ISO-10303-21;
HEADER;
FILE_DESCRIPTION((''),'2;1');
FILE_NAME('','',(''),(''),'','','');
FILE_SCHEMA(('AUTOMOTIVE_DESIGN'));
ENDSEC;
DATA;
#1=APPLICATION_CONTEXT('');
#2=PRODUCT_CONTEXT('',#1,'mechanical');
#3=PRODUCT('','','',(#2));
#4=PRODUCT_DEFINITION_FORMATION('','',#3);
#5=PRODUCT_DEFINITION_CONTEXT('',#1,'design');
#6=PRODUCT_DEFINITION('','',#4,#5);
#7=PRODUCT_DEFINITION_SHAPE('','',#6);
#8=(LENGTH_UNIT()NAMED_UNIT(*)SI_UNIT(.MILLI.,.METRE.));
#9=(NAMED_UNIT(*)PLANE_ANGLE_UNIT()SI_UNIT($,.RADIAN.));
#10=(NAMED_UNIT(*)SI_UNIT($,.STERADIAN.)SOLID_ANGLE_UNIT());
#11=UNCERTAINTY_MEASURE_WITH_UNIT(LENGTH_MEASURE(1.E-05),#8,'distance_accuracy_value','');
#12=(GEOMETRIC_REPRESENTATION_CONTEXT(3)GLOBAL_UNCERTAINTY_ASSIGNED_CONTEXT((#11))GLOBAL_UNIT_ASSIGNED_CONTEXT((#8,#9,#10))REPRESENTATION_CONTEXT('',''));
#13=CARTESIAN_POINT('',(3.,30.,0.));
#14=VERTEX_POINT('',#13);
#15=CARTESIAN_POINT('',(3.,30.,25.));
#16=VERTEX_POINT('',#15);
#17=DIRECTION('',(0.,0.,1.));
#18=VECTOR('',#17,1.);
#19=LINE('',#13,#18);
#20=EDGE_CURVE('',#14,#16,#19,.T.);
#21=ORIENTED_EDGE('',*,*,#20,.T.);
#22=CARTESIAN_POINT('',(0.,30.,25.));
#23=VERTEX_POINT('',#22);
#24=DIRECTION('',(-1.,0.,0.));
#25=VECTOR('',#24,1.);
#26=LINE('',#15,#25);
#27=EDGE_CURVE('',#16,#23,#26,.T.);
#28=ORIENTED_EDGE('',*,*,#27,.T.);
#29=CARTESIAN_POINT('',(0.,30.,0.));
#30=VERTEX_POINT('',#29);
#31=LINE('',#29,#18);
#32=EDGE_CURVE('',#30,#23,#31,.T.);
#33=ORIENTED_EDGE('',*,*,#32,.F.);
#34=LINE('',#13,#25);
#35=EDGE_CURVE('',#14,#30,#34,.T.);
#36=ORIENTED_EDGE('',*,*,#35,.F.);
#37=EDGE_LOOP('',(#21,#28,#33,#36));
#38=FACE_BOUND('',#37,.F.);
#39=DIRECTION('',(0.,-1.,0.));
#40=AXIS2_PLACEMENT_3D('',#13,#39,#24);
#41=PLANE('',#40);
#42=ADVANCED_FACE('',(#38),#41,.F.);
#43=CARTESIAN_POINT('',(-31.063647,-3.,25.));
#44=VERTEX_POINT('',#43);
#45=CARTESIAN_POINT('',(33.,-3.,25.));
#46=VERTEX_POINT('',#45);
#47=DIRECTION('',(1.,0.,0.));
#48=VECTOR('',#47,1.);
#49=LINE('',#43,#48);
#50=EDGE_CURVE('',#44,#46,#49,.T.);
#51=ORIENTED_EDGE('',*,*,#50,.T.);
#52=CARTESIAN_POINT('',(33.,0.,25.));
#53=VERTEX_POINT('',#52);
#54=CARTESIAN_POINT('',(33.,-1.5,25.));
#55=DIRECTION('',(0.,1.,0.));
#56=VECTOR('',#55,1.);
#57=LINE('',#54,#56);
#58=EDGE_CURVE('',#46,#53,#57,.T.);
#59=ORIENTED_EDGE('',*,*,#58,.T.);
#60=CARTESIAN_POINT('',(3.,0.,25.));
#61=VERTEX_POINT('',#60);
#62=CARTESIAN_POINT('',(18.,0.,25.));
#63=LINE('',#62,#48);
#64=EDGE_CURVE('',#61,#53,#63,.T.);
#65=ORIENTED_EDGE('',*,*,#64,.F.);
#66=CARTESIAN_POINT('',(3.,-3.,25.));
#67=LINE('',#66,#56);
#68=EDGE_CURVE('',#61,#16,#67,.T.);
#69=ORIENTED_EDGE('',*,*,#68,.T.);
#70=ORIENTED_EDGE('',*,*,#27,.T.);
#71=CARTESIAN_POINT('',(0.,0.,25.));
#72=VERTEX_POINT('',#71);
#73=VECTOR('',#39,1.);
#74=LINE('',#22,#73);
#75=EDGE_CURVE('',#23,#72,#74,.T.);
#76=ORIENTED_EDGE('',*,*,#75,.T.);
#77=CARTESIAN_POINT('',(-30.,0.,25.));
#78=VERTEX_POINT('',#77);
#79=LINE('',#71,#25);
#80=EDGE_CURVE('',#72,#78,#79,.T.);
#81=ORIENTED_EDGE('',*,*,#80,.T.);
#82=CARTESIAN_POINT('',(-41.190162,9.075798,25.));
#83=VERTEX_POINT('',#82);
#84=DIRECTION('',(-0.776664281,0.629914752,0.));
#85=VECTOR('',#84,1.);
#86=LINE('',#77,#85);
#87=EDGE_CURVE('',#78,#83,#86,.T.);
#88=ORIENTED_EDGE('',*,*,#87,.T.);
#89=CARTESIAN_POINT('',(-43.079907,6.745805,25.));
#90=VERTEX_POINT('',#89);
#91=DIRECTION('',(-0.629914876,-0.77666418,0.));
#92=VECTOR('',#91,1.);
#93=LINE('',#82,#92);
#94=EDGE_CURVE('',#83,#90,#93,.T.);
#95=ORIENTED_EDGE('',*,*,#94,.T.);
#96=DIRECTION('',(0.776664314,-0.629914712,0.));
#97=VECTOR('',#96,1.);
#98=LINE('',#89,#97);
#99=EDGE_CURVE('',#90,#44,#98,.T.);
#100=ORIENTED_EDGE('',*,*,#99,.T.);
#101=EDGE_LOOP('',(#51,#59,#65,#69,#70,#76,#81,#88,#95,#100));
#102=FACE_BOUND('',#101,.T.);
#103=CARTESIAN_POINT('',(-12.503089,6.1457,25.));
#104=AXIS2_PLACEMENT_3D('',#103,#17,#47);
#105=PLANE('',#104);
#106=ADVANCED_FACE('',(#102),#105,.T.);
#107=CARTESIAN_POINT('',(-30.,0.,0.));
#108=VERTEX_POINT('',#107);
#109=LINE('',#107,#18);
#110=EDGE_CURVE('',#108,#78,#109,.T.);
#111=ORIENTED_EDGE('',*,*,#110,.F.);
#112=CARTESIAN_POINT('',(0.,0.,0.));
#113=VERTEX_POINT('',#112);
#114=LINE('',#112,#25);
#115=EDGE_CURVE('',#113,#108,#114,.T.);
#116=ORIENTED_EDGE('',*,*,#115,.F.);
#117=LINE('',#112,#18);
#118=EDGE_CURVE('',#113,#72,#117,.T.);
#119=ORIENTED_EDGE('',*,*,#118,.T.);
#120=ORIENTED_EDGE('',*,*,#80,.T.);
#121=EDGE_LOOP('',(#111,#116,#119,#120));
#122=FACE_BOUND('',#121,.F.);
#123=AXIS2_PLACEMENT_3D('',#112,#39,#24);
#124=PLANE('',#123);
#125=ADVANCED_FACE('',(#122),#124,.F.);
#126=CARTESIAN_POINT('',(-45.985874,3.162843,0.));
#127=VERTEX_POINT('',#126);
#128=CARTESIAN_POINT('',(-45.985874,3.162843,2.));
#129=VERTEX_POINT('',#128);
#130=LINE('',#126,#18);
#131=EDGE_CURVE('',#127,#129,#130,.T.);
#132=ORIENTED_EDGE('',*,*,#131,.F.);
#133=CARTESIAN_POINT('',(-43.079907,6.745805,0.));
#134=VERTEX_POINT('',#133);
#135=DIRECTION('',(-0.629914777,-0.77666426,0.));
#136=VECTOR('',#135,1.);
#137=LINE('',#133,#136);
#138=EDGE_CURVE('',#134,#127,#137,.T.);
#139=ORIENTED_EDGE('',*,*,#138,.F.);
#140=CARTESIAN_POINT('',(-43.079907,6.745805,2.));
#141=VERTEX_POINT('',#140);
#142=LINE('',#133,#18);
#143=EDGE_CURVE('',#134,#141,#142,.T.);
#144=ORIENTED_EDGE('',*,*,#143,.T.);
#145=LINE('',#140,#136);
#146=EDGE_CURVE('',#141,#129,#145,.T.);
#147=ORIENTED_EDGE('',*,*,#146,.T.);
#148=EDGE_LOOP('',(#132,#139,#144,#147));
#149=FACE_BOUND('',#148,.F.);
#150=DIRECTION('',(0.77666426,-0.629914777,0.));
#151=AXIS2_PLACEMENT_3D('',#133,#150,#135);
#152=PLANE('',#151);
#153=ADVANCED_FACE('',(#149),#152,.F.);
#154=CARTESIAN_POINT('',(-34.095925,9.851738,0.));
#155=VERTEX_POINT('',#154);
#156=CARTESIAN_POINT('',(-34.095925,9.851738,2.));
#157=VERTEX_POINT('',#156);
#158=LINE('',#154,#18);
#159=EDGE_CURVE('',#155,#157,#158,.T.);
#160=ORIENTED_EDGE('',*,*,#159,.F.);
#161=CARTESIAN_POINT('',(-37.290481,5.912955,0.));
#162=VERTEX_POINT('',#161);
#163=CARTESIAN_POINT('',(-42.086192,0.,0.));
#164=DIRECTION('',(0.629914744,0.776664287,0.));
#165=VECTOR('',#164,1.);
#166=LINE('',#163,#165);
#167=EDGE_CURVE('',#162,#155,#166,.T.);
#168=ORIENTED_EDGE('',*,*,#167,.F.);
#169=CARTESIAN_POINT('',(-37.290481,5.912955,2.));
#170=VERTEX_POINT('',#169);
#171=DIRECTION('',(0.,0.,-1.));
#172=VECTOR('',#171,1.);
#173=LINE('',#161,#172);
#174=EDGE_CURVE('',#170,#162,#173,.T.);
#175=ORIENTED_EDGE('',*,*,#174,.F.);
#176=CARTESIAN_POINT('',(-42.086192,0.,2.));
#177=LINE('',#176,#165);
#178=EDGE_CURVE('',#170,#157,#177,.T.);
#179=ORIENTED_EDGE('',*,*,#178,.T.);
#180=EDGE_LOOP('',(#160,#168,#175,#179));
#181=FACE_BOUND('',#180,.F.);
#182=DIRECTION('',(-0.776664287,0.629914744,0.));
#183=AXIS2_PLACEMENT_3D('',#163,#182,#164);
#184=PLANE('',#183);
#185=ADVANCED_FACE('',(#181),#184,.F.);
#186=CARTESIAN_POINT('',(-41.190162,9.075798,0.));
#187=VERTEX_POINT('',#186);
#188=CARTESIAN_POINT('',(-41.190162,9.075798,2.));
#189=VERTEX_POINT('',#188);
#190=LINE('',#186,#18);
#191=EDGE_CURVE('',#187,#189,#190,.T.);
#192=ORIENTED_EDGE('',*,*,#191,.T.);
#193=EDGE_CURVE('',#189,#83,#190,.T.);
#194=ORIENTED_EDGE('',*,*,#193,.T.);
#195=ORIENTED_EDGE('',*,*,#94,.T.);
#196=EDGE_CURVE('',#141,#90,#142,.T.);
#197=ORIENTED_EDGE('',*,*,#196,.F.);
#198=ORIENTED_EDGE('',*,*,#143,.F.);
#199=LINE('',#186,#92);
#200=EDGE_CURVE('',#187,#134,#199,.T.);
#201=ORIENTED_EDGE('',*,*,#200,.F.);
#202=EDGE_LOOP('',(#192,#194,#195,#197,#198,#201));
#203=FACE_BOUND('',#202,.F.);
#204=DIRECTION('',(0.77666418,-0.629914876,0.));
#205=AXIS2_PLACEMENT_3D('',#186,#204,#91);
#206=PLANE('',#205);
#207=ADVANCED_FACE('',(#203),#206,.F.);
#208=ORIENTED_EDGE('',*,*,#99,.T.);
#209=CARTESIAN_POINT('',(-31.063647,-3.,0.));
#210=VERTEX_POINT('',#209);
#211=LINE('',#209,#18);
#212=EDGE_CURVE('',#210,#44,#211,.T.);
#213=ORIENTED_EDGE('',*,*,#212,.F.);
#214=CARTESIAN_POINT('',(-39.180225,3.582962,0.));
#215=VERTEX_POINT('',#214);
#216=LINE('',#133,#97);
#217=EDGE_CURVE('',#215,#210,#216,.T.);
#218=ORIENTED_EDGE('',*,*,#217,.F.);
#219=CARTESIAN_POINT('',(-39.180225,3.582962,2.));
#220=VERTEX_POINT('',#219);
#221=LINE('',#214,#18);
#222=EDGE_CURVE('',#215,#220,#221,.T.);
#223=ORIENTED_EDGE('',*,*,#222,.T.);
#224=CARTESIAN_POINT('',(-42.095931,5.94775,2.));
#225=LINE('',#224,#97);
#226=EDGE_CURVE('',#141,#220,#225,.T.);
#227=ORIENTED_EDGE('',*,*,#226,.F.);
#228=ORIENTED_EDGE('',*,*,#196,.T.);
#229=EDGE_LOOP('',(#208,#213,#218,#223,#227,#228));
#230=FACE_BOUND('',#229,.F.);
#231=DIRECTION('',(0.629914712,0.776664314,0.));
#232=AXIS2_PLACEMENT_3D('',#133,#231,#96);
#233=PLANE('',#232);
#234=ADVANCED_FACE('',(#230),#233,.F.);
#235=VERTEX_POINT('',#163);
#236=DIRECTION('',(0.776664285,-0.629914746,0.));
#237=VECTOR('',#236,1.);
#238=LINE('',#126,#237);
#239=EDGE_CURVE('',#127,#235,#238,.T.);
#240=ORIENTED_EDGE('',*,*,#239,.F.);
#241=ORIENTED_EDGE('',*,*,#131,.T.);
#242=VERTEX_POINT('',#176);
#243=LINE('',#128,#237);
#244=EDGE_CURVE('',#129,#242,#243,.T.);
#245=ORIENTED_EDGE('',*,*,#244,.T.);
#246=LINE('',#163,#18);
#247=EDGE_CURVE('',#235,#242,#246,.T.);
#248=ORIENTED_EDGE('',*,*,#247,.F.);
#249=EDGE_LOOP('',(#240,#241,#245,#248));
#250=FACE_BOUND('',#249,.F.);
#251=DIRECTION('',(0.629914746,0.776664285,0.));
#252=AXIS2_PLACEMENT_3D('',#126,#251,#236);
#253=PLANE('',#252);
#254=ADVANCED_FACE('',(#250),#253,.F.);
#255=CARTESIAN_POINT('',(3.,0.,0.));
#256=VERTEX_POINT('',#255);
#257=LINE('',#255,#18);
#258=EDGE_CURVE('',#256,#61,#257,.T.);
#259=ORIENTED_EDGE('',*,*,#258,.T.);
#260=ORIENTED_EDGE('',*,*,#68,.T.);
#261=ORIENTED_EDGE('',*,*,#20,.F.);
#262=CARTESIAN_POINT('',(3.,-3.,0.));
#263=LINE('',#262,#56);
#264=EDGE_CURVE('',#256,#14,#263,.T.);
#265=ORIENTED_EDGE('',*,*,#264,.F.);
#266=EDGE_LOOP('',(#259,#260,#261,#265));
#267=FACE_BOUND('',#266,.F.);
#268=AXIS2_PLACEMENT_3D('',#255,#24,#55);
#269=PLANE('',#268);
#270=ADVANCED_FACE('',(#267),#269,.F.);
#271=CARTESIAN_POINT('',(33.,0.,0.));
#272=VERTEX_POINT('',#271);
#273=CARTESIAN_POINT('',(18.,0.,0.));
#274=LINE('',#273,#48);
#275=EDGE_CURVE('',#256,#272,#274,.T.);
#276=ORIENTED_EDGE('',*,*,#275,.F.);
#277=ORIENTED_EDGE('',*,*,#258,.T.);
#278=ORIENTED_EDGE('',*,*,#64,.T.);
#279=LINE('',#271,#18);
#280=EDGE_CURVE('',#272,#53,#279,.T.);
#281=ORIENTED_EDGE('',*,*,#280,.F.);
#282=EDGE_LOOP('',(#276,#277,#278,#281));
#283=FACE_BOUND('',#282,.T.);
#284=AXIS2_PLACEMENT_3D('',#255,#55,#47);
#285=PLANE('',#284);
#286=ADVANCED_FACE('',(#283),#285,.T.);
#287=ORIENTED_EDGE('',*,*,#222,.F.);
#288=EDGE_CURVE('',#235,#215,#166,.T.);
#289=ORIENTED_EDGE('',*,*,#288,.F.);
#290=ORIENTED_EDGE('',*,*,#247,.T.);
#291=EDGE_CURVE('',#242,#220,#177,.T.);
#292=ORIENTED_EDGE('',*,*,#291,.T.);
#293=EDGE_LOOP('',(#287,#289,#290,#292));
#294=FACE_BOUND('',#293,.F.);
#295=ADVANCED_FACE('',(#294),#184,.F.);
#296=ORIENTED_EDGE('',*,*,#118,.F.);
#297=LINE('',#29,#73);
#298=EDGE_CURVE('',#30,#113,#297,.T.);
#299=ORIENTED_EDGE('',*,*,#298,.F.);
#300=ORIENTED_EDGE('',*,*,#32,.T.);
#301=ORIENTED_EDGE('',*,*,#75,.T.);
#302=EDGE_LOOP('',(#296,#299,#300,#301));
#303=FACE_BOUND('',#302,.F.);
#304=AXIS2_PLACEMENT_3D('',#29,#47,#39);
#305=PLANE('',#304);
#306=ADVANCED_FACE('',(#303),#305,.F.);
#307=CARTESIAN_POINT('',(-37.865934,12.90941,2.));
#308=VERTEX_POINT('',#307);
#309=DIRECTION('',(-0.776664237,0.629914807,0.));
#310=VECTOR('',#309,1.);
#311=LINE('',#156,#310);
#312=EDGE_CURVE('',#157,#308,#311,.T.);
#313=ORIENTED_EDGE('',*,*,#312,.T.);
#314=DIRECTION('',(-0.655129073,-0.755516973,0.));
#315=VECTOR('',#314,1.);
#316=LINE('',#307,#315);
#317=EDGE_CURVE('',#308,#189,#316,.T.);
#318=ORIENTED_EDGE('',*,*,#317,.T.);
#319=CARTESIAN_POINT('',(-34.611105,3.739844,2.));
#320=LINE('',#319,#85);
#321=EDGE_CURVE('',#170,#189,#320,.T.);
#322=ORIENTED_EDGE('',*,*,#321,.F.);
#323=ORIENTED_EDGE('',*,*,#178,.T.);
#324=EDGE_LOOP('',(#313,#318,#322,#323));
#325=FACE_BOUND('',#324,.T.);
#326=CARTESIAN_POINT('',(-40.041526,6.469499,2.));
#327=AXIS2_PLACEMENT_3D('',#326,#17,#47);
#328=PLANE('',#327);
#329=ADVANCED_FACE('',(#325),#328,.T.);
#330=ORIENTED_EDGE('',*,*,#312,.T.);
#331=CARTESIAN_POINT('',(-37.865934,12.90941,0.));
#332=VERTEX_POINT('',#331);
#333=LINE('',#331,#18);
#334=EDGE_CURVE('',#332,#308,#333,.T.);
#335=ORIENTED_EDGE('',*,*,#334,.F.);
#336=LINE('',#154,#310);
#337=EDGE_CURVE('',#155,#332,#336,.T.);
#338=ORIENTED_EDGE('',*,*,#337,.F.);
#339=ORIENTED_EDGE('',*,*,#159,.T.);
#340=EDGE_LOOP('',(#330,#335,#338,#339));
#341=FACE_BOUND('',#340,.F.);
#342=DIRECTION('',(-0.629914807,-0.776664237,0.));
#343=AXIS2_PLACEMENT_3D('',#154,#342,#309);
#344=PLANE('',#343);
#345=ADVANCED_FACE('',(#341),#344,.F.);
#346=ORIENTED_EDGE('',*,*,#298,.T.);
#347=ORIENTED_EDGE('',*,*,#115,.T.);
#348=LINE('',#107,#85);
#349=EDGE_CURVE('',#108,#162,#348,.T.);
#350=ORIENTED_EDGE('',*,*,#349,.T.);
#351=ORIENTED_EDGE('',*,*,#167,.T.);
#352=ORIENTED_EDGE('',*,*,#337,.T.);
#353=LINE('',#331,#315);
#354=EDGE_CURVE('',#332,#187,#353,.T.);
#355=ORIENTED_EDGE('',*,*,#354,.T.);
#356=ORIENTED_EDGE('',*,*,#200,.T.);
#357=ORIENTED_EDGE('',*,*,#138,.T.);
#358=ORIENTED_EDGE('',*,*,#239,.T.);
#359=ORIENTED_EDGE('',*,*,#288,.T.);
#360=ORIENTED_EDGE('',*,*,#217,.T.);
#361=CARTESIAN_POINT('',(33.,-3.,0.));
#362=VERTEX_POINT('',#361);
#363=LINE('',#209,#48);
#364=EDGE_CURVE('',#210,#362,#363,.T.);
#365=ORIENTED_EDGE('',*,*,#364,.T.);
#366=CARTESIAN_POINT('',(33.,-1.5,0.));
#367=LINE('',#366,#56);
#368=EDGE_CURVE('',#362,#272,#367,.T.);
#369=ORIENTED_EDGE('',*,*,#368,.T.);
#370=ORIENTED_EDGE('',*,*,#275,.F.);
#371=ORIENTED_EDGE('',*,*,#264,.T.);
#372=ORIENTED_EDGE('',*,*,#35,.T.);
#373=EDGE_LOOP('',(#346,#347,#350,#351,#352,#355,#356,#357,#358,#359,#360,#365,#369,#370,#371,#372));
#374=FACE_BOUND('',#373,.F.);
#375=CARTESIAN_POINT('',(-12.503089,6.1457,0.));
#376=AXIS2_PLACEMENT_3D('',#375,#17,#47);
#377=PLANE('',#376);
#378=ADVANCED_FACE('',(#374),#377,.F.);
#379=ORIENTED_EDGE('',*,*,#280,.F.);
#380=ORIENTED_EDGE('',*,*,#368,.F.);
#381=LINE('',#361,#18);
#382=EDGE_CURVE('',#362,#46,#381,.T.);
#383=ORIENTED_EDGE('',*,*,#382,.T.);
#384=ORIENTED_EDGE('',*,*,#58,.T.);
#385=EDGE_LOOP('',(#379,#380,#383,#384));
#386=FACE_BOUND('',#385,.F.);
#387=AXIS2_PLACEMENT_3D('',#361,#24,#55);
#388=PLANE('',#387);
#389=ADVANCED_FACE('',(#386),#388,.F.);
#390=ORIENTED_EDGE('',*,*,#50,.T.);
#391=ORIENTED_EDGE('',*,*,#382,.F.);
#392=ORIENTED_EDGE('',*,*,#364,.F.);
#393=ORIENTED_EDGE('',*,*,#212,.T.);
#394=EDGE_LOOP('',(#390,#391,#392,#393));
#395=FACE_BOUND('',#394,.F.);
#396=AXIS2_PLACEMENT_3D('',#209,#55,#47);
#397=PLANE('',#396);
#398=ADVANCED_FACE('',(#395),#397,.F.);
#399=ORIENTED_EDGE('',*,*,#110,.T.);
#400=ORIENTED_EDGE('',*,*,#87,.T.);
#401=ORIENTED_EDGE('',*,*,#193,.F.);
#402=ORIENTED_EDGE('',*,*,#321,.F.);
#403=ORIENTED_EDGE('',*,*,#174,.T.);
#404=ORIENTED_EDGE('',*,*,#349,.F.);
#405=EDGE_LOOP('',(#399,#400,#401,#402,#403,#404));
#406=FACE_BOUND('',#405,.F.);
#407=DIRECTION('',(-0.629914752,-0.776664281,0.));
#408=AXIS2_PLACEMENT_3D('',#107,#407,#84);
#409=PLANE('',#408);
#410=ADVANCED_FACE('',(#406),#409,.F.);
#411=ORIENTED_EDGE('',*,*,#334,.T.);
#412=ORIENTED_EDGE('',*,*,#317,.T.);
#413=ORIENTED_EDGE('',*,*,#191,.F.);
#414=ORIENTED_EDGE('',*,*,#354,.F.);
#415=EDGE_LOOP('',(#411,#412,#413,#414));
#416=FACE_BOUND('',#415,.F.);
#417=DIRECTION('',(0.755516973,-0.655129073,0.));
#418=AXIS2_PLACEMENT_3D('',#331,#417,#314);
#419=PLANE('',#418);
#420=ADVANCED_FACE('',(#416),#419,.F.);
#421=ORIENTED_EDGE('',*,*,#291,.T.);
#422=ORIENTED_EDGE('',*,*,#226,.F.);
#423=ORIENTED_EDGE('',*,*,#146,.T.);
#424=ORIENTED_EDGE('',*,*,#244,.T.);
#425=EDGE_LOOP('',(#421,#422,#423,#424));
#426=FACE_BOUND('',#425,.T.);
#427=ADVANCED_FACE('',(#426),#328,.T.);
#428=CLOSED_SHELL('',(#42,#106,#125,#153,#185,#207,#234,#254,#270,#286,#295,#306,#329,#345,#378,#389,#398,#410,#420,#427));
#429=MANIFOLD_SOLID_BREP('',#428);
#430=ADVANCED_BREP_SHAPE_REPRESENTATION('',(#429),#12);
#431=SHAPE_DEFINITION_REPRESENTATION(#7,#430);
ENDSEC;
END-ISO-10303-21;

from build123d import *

# Parameters (mm, degrees)
F0_W     = 30
F0_H     = 3
F1_DEPTH = 25
F3_DEPTH = 2


with BuildPart() as f1:
    # F0 (on Top) → F1 (new body)
    with BuildSketch(Plane.XY):
        Polygon((0, 30), (0, 0), (-30, 0), (-41.190162, 9.075798), (-43.079907, 6.745805), (-31.063647, -3), (3, -3), (3, 0), (3, 30), align=None)
        with Locations((18, -1.5)):
            Rectangle(F0_W, F0_H)
    extrude(amount=F1_DEPTH)

    # F2 (on face) → F3 (join)
    with BuildSketch(Plane.XY):
        Polygon((-41.190162, 9.075798), (-43.079907, 6.745805), (-45.985874, 3.162843), (-42.086192, 0), (-34.095925, 9.851738), (-37.865934, 12.90941), align=None)
    extrude(amount=F3_DEPTH)


solid = f1.part
